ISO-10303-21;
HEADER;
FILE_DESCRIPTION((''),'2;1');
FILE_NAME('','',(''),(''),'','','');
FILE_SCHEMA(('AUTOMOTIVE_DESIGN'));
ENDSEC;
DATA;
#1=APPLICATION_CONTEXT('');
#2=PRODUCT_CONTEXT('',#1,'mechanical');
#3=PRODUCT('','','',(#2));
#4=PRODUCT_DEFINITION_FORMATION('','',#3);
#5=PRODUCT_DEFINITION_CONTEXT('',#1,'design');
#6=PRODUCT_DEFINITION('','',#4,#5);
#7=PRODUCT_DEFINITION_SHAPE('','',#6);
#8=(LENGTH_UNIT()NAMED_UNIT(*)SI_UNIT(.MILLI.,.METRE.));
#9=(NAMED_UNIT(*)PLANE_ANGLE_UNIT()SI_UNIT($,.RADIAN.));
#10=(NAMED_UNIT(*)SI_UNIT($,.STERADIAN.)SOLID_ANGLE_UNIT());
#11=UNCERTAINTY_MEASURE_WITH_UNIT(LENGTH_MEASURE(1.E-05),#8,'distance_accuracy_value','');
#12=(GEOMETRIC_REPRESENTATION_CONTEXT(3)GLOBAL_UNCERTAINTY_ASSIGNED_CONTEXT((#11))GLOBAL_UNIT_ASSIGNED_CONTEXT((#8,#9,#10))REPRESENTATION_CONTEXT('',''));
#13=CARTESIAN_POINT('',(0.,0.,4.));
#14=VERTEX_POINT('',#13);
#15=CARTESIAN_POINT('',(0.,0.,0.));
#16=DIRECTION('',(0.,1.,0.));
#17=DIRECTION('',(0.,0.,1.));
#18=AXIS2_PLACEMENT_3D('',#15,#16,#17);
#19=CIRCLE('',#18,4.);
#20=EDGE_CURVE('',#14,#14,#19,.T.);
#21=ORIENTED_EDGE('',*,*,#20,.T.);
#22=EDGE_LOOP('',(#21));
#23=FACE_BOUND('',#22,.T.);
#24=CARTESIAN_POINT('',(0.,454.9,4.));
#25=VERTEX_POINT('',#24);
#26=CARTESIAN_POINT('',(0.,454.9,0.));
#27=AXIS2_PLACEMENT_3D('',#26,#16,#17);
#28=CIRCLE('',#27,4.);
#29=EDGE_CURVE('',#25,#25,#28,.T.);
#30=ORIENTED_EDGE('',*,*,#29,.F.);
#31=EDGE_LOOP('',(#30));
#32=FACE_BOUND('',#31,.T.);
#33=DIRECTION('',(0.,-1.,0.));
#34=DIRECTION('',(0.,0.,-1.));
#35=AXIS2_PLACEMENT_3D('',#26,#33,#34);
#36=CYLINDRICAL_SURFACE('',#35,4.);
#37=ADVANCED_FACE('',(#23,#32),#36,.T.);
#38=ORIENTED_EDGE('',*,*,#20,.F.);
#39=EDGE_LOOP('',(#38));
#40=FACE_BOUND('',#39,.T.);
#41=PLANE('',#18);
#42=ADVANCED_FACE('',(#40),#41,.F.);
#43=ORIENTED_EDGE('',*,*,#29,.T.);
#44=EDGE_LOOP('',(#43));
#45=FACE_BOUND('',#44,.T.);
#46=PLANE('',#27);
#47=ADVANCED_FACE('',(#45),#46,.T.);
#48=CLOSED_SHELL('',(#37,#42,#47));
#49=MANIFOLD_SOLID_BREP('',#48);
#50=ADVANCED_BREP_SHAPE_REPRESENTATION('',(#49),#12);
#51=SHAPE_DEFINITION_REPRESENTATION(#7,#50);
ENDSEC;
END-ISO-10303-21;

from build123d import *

# Parameters (mm, degrees)
SKETCH1_R           = 4
BOSS_EXTRUDE1_DEPTH = 454.9


with BuildPart() as part:
    # Sketch1 → Boss-Extrude1 (new body)
    with BuildSketch(Plane(origin=(0, 0, 0), x_dir=(1, 0, 0), z_dir=(0, 1, 0))):
        with Locations(Location((0, 0, 0), (0, 0, 270))):
            Circle(SKETCH1_R)
    extrude(amount=BOSS_EXTRUDE1_DEPTH)


solid = part.part
